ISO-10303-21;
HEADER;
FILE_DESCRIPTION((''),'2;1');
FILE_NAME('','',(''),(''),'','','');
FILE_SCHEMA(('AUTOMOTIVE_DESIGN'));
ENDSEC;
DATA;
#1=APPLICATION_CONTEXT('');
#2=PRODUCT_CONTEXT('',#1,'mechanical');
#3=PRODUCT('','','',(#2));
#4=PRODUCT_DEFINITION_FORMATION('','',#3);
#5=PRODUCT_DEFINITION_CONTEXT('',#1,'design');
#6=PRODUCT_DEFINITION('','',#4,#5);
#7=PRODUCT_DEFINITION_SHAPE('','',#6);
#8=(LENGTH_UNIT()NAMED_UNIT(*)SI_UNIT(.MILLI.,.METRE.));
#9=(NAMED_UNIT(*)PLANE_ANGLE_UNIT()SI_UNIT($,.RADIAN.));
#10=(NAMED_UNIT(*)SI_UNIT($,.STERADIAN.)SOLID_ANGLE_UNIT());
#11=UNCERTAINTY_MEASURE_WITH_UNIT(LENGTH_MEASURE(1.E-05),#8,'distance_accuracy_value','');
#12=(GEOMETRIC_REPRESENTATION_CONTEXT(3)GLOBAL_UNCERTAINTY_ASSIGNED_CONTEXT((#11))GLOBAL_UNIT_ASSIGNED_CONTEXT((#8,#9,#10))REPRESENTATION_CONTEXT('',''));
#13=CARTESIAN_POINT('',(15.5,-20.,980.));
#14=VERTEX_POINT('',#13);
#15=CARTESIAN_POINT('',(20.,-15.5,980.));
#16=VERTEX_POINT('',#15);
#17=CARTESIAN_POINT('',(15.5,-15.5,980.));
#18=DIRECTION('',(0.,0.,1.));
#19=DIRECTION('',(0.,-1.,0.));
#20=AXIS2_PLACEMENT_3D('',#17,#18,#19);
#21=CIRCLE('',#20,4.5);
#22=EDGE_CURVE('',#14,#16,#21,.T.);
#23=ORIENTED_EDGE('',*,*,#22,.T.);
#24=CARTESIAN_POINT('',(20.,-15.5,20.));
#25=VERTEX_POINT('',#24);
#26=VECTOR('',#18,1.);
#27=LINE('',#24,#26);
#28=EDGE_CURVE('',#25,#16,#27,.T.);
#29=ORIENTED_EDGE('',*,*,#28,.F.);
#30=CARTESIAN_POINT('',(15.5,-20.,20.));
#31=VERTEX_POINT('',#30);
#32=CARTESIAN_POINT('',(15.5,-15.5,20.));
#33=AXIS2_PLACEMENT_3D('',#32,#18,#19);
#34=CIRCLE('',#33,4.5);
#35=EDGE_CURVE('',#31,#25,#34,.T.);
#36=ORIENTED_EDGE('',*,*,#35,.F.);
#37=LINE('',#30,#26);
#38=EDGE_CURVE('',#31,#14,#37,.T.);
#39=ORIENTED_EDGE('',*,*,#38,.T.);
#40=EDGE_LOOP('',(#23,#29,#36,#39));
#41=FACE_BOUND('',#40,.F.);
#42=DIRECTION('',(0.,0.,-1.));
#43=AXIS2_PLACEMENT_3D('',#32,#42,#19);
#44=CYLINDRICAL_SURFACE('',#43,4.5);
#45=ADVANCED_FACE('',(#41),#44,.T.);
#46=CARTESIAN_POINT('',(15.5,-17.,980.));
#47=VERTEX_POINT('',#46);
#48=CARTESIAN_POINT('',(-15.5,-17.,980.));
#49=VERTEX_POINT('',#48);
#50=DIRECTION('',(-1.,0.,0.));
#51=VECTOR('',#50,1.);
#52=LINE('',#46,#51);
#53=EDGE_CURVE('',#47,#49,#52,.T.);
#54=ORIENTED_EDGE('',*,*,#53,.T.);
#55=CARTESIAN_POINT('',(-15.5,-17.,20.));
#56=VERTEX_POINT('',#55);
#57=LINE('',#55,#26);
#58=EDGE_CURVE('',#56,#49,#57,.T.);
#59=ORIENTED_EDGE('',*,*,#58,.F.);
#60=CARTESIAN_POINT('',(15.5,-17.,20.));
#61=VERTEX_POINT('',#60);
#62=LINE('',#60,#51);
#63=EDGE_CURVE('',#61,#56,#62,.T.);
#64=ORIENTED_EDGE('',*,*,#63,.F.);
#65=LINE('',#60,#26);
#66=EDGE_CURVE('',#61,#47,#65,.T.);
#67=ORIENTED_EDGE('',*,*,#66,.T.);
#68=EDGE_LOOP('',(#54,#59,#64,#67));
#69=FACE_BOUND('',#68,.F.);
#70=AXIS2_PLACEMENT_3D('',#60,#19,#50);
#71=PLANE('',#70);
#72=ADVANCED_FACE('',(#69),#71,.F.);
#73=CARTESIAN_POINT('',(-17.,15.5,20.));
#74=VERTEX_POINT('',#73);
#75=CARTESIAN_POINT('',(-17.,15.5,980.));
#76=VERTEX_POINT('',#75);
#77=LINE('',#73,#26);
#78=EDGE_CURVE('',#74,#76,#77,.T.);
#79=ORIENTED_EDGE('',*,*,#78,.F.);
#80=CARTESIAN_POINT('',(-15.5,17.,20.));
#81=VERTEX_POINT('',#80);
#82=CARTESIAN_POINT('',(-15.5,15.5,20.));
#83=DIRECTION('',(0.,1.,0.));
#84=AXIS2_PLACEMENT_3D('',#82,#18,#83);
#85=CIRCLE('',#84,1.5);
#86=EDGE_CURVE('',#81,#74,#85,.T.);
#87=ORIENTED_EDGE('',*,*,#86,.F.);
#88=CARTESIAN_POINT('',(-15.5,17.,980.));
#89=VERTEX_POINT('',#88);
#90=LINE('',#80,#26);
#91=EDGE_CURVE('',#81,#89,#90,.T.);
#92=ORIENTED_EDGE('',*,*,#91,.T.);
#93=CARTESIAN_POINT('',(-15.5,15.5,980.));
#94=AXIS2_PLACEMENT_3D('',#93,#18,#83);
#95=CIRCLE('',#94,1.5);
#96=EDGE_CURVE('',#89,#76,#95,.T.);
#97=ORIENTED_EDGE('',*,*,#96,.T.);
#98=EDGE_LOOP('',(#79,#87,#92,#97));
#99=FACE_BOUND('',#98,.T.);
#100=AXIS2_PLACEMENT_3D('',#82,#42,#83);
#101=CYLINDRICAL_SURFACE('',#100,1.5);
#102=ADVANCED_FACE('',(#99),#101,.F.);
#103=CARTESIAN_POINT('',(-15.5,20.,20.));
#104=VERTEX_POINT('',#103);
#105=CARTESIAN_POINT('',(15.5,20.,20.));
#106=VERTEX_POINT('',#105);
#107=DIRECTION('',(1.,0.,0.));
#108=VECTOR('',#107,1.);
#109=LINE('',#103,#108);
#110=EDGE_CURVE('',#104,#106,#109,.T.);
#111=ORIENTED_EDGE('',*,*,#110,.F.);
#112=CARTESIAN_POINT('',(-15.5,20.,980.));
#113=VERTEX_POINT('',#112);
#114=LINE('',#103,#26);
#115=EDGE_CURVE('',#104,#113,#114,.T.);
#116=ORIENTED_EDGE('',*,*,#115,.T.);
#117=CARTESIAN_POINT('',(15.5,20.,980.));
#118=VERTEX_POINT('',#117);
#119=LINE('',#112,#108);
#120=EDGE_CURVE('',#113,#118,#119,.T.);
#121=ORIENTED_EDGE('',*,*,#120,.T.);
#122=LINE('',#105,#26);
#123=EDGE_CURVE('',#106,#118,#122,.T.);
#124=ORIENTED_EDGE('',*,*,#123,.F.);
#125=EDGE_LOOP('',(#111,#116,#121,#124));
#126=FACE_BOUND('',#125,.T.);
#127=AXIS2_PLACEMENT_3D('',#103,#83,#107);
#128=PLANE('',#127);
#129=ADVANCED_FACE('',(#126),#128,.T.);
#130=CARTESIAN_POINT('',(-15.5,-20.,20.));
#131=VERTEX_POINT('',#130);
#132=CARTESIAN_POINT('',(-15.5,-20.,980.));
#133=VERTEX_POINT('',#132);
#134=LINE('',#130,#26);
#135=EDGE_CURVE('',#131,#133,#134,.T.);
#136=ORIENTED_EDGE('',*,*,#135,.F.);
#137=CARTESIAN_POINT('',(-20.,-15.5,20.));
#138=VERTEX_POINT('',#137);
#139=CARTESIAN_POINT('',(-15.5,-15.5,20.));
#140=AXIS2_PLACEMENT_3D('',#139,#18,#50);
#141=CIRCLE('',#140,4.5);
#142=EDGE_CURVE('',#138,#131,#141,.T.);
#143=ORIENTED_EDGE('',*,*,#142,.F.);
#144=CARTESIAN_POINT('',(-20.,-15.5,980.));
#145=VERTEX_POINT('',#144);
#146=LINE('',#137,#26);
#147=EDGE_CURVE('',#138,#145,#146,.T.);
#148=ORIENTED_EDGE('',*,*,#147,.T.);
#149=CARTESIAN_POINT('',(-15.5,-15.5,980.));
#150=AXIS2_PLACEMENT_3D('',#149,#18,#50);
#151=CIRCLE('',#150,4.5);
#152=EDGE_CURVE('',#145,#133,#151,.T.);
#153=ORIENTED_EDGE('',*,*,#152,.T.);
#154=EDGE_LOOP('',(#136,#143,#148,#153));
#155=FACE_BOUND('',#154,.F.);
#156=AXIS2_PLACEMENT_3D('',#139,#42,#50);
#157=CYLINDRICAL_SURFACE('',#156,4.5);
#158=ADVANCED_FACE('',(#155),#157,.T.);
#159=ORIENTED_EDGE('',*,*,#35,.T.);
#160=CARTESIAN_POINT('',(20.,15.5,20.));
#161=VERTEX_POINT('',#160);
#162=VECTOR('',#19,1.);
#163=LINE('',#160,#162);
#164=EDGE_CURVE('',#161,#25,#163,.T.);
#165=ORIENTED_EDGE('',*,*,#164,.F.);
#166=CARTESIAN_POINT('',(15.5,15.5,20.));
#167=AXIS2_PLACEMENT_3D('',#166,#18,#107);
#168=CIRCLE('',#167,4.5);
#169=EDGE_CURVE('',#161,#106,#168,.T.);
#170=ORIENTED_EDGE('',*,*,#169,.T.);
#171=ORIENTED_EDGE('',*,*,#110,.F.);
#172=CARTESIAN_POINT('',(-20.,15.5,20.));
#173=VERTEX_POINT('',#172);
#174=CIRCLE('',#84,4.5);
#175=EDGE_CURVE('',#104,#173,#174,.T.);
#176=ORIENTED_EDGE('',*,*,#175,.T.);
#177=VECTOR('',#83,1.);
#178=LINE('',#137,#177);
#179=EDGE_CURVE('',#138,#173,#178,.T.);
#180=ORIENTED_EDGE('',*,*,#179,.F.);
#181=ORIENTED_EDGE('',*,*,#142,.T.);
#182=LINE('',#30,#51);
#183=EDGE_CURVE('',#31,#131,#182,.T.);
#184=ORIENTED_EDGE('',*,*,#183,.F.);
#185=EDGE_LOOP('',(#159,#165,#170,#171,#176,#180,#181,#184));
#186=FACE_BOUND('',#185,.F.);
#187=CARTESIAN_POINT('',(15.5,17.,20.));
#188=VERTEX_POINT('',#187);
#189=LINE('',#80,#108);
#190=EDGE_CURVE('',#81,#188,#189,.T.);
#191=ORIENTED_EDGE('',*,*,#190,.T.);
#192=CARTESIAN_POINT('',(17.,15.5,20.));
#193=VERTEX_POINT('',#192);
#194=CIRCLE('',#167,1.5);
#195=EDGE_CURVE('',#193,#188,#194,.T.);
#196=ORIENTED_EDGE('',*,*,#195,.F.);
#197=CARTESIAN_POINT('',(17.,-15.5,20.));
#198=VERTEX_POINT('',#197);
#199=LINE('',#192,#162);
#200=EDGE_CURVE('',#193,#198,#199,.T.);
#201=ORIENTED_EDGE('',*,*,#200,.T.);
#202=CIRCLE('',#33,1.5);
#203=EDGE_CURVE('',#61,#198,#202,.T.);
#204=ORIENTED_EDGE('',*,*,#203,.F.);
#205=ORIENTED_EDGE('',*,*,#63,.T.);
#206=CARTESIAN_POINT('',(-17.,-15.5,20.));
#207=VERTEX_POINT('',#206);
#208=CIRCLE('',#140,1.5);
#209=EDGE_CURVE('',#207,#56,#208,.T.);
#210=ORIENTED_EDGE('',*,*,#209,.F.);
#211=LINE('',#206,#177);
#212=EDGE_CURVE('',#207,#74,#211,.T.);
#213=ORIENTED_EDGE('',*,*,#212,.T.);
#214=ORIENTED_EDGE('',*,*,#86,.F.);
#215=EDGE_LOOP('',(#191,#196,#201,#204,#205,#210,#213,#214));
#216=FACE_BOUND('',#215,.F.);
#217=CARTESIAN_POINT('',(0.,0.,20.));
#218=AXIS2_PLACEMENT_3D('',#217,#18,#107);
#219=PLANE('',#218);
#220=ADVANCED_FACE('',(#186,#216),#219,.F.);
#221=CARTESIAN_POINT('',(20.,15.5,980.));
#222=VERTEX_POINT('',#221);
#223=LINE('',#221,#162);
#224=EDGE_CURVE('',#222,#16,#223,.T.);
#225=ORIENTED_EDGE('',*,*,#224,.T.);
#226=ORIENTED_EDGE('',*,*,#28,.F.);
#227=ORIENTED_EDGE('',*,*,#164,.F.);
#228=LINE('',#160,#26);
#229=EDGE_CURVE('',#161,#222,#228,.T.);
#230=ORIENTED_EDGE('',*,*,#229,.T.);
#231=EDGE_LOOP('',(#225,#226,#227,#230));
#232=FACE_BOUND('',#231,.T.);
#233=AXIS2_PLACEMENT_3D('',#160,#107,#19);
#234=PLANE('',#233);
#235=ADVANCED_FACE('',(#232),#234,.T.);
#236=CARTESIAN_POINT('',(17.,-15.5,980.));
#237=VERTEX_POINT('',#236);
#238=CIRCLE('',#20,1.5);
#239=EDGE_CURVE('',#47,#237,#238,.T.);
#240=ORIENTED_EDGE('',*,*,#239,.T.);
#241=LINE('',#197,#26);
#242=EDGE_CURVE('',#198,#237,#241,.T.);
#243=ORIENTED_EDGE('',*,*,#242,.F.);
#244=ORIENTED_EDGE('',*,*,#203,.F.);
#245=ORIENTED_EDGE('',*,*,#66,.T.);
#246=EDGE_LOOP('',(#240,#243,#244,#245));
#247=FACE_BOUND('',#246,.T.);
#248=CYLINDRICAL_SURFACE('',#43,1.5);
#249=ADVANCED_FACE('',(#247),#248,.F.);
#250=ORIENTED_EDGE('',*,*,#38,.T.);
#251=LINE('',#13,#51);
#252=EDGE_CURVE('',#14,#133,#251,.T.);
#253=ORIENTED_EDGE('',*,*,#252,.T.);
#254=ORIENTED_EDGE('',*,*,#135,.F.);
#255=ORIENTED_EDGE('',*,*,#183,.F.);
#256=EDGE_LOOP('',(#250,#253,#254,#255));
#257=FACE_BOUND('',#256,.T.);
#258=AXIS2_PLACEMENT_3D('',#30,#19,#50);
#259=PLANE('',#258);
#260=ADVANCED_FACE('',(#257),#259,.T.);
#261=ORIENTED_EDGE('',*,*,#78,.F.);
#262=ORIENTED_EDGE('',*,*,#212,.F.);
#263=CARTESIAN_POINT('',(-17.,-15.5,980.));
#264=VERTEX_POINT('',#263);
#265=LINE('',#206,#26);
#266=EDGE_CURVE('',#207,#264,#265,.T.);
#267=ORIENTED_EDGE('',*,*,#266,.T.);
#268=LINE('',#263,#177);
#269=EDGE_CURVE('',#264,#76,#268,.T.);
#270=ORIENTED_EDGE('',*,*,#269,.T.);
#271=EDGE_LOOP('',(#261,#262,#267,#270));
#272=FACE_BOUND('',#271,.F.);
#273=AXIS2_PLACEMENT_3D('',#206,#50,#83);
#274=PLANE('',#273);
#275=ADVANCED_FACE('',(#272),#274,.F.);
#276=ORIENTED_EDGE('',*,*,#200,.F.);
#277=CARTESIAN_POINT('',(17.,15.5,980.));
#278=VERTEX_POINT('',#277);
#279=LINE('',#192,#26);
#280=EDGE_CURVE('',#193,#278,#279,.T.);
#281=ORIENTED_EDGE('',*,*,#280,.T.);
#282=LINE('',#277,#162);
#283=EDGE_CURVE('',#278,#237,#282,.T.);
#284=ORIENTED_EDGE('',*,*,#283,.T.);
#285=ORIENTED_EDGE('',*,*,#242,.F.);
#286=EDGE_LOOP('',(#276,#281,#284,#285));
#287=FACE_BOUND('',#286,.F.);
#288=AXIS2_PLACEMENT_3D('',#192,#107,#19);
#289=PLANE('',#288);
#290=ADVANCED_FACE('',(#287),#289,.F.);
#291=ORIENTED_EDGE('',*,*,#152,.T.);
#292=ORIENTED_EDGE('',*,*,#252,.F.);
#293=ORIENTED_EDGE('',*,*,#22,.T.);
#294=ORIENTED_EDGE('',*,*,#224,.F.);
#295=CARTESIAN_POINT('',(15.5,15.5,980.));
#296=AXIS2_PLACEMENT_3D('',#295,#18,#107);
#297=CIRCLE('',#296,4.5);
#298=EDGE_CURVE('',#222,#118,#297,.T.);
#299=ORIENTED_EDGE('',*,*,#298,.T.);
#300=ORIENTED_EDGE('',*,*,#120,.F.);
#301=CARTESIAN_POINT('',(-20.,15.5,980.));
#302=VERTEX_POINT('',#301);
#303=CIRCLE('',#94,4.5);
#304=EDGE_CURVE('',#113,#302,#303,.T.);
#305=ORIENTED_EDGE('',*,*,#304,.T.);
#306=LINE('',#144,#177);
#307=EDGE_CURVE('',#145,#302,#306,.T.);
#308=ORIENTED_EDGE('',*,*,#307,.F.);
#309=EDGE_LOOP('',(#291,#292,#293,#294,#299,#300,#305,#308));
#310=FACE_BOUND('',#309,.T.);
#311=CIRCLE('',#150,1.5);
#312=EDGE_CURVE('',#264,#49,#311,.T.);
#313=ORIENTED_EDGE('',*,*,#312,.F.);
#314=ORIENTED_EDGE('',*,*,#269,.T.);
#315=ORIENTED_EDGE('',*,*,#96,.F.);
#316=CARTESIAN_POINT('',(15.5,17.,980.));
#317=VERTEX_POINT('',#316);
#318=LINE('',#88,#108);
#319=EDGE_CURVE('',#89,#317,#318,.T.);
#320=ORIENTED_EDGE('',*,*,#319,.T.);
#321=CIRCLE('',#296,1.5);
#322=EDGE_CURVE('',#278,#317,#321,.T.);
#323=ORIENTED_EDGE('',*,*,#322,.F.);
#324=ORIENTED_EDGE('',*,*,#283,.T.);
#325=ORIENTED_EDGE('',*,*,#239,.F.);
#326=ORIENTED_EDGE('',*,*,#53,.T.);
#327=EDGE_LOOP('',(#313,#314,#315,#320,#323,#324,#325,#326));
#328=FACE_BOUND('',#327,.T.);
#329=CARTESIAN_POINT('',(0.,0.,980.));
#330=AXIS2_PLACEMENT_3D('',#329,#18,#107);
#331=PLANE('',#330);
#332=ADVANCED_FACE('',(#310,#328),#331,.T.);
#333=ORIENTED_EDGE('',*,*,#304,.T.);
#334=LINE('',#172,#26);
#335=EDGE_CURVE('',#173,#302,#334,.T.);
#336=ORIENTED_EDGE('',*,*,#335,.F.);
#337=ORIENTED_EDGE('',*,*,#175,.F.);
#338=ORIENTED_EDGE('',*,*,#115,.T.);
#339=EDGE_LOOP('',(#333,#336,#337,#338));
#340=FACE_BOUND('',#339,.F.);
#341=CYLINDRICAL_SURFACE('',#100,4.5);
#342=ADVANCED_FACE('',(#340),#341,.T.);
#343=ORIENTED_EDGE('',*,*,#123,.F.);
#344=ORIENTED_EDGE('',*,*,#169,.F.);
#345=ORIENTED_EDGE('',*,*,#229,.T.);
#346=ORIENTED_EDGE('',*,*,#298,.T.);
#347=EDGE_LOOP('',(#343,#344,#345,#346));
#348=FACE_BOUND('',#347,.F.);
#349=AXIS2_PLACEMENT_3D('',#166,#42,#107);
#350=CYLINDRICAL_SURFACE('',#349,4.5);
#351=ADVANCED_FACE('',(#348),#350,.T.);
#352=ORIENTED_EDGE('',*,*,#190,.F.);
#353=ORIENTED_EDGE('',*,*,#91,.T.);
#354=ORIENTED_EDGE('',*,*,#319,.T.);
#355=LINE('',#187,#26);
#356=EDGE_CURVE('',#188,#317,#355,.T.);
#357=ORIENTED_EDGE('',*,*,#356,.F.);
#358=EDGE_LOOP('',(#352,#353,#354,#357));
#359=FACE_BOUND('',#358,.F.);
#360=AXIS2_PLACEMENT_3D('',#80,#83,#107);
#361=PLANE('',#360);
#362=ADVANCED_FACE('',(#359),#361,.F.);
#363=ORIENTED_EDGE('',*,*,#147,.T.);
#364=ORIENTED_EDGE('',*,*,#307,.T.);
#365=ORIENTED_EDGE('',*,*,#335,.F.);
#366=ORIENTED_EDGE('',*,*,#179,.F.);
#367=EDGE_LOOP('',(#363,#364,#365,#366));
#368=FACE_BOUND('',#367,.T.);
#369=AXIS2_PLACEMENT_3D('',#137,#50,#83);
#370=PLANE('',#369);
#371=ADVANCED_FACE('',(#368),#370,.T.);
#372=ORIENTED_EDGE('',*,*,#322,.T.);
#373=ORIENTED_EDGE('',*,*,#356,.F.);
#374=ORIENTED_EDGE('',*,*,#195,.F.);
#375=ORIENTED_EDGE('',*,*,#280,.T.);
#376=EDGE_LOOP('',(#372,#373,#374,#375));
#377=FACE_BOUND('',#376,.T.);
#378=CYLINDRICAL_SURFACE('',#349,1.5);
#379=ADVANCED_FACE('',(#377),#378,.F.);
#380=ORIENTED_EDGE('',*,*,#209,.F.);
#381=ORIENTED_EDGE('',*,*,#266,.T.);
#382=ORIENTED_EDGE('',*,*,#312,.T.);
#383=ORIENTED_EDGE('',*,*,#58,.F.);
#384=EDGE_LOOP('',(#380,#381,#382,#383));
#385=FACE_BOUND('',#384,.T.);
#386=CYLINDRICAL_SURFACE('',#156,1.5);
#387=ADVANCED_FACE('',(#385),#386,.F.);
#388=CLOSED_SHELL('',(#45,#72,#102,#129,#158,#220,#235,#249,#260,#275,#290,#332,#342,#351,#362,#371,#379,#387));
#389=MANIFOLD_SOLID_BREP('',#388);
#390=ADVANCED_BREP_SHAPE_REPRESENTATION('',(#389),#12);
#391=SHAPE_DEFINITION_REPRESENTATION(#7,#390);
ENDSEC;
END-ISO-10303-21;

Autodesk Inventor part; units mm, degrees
ref_plane "Start Plane" through (0, 0, 20) normal (0, 0, 1) x (1, 0, 0)
ref_plane "End Plane" through (0, 0, 980) normal (0, 0, 1) x (1, 0, 0)
sketch "Sketch" plane through (0, 0, 0) normal (0, 0, 1) x (1, 0, 0)
  line L0 (-20, -15.5) -> (-20, 15.5)
  line L1 (-15.5, 20) -> (15.5, 20)
  line L2 (20, 15.5) -> (20, -15.5)
  line L3 (15.5, -20) -> (-15.5, -20)
  arc A0 (-20, -15.5) -> (-15.5, -20) centre (-15.5, -15.5) ccw
  arc A1 (-15.5, 20) -> (-20, 15.5) centre (-15.5, 15.5) ccw
  arc A2 (20, 15.5) -> (15.5, 20) centre (15.5, 15.5) ccw
  arc A3 (15.5, -20) -> (20, -15.5) centre (15.5, -15.5) ccw
  arc A4 (-15.5, 17) -> (-17, 15.5) centre (-15.5, 15.5) ccw
  line L4 (-15.5, 17) -> (15.5, 17)
  arc A5 (17, 15.5) -> (15.5, 17) centre (15.5, 15.5) ccw
  line L5 (17, 15.5) -> (17, -15.5)
  arc A6 (15.5, -17) -> (17, -15.5) centre (15.5, -15.5) ccw
  line L6 (15.5, -17) -> (-15.5, -17)
  arc A7 (-17, -15.5) -> (-15.5, -17) centre (-15.5, -15.5) ccw
  line L7 (-17, -15.5) -> (-17, 15.5)
  line L8 (0, 29.3048) -> (0, -29.3048) construction
  line L9 (-29.3048, 0) -> (29.3048, 0) construction
  dimension "d7" = 4.5
  dimension "d10" = 40
  dimension "d11" = 40
  dimension "d12" = 3
  dimension "d15" = 20
  dimension "d16" = 20
extrude "Body" add sketch "Sketch" along normal up to surface (960 mm away) from surface at 20
sketch "Sketch3" plane through (0, 0, 0) normal (0, 0, 1) x (1, 0, 0)
  line L0 (0, 0) -> (10, 0)
ref_plane "Work Plane3" through (0, 0, 0) normal (0, -1, 0) x (1, 0, 0)
ref_plane "Work Plane4" through (-15.5, 1520, 20) normal (0, 0, -1) x (-1, 0, 0)
split "Split1" plane through (-15.5, 1520, 20) removes the side toward (0, 0, -1)
ref_plane "Work Plane5" through (15.5, 1520, 980) normal (0, 0, 1) x (1, 0, 0)
split "Split2" plane through (15.5, 1520, 980) removes the side toward (0, 0, 1)
sketch "Sketch4" plane through (0, 0, 0) normal (0, -1, 0) x (1, 0, 0)
  line L0 (-2, 20) -> (12, 20) projected
  line L1 (-2, 980) -> (12, 980) projected
  dimension "d18" = 960
equation "\"d7\" = G_IR"
equation "\"d10\" = G_H"
equation "\"d11\" = G_W"
equation "\"d12\" = G_T"
equation "\"d15\" = 0.5 * d10"
equation "\"d16\" = 0.5 * d11"
equation "\"d3\" = G_L"
equation "\"G_W\" = 40"
equation "\"G_H\" = 40"
equation "\"G_T\" = 3"
equation "\"G_IR\" = 4.5"
equation "\"G_L\" = d18"
properties part number "ISO 12633-2 - 40x40x3 - 960" material "Steel, Mild"
